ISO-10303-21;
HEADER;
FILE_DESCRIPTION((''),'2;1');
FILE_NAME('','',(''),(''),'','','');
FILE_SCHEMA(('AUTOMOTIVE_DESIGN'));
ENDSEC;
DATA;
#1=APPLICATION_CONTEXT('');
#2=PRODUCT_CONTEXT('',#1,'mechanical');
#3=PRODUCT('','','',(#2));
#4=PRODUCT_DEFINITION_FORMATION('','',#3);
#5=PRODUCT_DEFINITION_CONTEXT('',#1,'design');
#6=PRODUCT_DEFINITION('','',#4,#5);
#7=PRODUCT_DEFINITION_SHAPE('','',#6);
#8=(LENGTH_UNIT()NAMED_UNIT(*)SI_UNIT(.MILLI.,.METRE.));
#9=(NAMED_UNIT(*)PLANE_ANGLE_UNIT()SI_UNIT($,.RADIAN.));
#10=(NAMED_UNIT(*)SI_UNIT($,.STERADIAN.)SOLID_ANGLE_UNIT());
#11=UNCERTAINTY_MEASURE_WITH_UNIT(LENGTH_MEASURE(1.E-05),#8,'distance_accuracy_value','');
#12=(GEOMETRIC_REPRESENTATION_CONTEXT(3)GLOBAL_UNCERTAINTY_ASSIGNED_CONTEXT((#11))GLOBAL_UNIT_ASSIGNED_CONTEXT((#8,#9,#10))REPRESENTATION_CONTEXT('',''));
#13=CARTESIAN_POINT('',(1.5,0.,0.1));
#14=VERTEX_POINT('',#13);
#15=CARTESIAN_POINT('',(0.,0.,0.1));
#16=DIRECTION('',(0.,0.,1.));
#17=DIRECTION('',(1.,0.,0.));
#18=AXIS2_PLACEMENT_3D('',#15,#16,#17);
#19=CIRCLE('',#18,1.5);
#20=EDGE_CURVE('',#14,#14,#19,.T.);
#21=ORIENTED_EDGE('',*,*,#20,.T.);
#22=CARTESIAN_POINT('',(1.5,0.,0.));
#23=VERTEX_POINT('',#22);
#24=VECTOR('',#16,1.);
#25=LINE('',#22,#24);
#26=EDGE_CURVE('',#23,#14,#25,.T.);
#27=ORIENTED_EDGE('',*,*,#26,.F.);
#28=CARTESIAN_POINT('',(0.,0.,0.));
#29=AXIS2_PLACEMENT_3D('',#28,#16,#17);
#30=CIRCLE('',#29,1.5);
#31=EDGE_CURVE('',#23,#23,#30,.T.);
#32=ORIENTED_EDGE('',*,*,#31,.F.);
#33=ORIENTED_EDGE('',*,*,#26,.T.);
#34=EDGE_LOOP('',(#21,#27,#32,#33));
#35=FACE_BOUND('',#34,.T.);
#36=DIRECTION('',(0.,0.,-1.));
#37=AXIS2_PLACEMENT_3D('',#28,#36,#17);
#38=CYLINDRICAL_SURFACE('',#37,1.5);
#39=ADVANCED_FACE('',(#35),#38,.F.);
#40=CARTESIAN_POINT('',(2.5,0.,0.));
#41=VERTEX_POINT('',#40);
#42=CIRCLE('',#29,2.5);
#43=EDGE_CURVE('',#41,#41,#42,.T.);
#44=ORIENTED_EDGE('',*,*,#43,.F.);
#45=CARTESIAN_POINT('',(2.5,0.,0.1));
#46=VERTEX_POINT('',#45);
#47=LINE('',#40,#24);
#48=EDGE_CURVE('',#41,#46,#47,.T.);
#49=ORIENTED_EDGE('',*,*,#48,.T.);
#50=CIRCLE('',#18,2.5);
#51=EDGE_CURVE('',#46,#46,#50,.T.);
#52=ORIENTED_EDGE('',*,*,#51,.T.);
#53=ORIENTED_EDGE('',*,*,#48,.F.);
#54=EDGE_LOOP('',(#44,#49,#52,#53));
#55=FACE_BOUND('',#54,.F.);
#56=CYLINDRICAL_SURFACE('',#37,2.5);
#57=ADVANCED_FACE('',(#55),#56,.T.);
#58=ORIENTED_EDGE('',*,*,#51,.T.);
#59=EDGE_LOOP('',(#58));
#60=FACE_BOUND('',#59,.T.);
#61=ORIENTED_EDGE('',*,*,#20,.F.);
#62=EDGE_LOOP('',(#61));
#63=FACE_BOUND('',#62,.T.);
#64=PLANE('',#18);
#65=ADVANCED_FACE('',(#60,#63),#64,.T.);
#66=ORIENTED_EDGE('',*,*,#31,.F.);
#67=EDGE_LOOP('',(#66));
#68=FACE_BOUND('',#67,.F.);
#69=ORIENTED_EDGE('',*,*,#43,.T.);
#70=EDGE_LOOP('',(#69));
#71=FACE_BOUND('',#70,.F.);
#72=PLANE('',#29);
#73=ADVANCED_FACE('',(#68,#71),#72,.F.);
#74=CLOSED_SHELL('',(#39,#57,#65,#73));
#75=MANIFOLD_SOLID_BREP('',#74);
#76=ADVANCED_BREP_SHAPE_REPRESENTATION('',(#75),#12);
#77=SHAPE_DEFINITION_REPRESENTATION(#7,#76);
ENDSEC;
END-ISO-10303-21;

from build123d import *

# Parameters (mm, degrees)
SKETCH_R   = 2.5
SKETCH_R_2 = 1.5
PAD_DEPTH  = 0.1


with BuildPart() as part:
    # Sketch → Pad (new body)
    with BuildSketch(Plane.XY):
        Circle(SKETCH_R)
        Circle(SKETCH_R_2, mode=Mode.SUBTRACT)
    extrude(amount=PAD_DEPTH)


solid = part.part
